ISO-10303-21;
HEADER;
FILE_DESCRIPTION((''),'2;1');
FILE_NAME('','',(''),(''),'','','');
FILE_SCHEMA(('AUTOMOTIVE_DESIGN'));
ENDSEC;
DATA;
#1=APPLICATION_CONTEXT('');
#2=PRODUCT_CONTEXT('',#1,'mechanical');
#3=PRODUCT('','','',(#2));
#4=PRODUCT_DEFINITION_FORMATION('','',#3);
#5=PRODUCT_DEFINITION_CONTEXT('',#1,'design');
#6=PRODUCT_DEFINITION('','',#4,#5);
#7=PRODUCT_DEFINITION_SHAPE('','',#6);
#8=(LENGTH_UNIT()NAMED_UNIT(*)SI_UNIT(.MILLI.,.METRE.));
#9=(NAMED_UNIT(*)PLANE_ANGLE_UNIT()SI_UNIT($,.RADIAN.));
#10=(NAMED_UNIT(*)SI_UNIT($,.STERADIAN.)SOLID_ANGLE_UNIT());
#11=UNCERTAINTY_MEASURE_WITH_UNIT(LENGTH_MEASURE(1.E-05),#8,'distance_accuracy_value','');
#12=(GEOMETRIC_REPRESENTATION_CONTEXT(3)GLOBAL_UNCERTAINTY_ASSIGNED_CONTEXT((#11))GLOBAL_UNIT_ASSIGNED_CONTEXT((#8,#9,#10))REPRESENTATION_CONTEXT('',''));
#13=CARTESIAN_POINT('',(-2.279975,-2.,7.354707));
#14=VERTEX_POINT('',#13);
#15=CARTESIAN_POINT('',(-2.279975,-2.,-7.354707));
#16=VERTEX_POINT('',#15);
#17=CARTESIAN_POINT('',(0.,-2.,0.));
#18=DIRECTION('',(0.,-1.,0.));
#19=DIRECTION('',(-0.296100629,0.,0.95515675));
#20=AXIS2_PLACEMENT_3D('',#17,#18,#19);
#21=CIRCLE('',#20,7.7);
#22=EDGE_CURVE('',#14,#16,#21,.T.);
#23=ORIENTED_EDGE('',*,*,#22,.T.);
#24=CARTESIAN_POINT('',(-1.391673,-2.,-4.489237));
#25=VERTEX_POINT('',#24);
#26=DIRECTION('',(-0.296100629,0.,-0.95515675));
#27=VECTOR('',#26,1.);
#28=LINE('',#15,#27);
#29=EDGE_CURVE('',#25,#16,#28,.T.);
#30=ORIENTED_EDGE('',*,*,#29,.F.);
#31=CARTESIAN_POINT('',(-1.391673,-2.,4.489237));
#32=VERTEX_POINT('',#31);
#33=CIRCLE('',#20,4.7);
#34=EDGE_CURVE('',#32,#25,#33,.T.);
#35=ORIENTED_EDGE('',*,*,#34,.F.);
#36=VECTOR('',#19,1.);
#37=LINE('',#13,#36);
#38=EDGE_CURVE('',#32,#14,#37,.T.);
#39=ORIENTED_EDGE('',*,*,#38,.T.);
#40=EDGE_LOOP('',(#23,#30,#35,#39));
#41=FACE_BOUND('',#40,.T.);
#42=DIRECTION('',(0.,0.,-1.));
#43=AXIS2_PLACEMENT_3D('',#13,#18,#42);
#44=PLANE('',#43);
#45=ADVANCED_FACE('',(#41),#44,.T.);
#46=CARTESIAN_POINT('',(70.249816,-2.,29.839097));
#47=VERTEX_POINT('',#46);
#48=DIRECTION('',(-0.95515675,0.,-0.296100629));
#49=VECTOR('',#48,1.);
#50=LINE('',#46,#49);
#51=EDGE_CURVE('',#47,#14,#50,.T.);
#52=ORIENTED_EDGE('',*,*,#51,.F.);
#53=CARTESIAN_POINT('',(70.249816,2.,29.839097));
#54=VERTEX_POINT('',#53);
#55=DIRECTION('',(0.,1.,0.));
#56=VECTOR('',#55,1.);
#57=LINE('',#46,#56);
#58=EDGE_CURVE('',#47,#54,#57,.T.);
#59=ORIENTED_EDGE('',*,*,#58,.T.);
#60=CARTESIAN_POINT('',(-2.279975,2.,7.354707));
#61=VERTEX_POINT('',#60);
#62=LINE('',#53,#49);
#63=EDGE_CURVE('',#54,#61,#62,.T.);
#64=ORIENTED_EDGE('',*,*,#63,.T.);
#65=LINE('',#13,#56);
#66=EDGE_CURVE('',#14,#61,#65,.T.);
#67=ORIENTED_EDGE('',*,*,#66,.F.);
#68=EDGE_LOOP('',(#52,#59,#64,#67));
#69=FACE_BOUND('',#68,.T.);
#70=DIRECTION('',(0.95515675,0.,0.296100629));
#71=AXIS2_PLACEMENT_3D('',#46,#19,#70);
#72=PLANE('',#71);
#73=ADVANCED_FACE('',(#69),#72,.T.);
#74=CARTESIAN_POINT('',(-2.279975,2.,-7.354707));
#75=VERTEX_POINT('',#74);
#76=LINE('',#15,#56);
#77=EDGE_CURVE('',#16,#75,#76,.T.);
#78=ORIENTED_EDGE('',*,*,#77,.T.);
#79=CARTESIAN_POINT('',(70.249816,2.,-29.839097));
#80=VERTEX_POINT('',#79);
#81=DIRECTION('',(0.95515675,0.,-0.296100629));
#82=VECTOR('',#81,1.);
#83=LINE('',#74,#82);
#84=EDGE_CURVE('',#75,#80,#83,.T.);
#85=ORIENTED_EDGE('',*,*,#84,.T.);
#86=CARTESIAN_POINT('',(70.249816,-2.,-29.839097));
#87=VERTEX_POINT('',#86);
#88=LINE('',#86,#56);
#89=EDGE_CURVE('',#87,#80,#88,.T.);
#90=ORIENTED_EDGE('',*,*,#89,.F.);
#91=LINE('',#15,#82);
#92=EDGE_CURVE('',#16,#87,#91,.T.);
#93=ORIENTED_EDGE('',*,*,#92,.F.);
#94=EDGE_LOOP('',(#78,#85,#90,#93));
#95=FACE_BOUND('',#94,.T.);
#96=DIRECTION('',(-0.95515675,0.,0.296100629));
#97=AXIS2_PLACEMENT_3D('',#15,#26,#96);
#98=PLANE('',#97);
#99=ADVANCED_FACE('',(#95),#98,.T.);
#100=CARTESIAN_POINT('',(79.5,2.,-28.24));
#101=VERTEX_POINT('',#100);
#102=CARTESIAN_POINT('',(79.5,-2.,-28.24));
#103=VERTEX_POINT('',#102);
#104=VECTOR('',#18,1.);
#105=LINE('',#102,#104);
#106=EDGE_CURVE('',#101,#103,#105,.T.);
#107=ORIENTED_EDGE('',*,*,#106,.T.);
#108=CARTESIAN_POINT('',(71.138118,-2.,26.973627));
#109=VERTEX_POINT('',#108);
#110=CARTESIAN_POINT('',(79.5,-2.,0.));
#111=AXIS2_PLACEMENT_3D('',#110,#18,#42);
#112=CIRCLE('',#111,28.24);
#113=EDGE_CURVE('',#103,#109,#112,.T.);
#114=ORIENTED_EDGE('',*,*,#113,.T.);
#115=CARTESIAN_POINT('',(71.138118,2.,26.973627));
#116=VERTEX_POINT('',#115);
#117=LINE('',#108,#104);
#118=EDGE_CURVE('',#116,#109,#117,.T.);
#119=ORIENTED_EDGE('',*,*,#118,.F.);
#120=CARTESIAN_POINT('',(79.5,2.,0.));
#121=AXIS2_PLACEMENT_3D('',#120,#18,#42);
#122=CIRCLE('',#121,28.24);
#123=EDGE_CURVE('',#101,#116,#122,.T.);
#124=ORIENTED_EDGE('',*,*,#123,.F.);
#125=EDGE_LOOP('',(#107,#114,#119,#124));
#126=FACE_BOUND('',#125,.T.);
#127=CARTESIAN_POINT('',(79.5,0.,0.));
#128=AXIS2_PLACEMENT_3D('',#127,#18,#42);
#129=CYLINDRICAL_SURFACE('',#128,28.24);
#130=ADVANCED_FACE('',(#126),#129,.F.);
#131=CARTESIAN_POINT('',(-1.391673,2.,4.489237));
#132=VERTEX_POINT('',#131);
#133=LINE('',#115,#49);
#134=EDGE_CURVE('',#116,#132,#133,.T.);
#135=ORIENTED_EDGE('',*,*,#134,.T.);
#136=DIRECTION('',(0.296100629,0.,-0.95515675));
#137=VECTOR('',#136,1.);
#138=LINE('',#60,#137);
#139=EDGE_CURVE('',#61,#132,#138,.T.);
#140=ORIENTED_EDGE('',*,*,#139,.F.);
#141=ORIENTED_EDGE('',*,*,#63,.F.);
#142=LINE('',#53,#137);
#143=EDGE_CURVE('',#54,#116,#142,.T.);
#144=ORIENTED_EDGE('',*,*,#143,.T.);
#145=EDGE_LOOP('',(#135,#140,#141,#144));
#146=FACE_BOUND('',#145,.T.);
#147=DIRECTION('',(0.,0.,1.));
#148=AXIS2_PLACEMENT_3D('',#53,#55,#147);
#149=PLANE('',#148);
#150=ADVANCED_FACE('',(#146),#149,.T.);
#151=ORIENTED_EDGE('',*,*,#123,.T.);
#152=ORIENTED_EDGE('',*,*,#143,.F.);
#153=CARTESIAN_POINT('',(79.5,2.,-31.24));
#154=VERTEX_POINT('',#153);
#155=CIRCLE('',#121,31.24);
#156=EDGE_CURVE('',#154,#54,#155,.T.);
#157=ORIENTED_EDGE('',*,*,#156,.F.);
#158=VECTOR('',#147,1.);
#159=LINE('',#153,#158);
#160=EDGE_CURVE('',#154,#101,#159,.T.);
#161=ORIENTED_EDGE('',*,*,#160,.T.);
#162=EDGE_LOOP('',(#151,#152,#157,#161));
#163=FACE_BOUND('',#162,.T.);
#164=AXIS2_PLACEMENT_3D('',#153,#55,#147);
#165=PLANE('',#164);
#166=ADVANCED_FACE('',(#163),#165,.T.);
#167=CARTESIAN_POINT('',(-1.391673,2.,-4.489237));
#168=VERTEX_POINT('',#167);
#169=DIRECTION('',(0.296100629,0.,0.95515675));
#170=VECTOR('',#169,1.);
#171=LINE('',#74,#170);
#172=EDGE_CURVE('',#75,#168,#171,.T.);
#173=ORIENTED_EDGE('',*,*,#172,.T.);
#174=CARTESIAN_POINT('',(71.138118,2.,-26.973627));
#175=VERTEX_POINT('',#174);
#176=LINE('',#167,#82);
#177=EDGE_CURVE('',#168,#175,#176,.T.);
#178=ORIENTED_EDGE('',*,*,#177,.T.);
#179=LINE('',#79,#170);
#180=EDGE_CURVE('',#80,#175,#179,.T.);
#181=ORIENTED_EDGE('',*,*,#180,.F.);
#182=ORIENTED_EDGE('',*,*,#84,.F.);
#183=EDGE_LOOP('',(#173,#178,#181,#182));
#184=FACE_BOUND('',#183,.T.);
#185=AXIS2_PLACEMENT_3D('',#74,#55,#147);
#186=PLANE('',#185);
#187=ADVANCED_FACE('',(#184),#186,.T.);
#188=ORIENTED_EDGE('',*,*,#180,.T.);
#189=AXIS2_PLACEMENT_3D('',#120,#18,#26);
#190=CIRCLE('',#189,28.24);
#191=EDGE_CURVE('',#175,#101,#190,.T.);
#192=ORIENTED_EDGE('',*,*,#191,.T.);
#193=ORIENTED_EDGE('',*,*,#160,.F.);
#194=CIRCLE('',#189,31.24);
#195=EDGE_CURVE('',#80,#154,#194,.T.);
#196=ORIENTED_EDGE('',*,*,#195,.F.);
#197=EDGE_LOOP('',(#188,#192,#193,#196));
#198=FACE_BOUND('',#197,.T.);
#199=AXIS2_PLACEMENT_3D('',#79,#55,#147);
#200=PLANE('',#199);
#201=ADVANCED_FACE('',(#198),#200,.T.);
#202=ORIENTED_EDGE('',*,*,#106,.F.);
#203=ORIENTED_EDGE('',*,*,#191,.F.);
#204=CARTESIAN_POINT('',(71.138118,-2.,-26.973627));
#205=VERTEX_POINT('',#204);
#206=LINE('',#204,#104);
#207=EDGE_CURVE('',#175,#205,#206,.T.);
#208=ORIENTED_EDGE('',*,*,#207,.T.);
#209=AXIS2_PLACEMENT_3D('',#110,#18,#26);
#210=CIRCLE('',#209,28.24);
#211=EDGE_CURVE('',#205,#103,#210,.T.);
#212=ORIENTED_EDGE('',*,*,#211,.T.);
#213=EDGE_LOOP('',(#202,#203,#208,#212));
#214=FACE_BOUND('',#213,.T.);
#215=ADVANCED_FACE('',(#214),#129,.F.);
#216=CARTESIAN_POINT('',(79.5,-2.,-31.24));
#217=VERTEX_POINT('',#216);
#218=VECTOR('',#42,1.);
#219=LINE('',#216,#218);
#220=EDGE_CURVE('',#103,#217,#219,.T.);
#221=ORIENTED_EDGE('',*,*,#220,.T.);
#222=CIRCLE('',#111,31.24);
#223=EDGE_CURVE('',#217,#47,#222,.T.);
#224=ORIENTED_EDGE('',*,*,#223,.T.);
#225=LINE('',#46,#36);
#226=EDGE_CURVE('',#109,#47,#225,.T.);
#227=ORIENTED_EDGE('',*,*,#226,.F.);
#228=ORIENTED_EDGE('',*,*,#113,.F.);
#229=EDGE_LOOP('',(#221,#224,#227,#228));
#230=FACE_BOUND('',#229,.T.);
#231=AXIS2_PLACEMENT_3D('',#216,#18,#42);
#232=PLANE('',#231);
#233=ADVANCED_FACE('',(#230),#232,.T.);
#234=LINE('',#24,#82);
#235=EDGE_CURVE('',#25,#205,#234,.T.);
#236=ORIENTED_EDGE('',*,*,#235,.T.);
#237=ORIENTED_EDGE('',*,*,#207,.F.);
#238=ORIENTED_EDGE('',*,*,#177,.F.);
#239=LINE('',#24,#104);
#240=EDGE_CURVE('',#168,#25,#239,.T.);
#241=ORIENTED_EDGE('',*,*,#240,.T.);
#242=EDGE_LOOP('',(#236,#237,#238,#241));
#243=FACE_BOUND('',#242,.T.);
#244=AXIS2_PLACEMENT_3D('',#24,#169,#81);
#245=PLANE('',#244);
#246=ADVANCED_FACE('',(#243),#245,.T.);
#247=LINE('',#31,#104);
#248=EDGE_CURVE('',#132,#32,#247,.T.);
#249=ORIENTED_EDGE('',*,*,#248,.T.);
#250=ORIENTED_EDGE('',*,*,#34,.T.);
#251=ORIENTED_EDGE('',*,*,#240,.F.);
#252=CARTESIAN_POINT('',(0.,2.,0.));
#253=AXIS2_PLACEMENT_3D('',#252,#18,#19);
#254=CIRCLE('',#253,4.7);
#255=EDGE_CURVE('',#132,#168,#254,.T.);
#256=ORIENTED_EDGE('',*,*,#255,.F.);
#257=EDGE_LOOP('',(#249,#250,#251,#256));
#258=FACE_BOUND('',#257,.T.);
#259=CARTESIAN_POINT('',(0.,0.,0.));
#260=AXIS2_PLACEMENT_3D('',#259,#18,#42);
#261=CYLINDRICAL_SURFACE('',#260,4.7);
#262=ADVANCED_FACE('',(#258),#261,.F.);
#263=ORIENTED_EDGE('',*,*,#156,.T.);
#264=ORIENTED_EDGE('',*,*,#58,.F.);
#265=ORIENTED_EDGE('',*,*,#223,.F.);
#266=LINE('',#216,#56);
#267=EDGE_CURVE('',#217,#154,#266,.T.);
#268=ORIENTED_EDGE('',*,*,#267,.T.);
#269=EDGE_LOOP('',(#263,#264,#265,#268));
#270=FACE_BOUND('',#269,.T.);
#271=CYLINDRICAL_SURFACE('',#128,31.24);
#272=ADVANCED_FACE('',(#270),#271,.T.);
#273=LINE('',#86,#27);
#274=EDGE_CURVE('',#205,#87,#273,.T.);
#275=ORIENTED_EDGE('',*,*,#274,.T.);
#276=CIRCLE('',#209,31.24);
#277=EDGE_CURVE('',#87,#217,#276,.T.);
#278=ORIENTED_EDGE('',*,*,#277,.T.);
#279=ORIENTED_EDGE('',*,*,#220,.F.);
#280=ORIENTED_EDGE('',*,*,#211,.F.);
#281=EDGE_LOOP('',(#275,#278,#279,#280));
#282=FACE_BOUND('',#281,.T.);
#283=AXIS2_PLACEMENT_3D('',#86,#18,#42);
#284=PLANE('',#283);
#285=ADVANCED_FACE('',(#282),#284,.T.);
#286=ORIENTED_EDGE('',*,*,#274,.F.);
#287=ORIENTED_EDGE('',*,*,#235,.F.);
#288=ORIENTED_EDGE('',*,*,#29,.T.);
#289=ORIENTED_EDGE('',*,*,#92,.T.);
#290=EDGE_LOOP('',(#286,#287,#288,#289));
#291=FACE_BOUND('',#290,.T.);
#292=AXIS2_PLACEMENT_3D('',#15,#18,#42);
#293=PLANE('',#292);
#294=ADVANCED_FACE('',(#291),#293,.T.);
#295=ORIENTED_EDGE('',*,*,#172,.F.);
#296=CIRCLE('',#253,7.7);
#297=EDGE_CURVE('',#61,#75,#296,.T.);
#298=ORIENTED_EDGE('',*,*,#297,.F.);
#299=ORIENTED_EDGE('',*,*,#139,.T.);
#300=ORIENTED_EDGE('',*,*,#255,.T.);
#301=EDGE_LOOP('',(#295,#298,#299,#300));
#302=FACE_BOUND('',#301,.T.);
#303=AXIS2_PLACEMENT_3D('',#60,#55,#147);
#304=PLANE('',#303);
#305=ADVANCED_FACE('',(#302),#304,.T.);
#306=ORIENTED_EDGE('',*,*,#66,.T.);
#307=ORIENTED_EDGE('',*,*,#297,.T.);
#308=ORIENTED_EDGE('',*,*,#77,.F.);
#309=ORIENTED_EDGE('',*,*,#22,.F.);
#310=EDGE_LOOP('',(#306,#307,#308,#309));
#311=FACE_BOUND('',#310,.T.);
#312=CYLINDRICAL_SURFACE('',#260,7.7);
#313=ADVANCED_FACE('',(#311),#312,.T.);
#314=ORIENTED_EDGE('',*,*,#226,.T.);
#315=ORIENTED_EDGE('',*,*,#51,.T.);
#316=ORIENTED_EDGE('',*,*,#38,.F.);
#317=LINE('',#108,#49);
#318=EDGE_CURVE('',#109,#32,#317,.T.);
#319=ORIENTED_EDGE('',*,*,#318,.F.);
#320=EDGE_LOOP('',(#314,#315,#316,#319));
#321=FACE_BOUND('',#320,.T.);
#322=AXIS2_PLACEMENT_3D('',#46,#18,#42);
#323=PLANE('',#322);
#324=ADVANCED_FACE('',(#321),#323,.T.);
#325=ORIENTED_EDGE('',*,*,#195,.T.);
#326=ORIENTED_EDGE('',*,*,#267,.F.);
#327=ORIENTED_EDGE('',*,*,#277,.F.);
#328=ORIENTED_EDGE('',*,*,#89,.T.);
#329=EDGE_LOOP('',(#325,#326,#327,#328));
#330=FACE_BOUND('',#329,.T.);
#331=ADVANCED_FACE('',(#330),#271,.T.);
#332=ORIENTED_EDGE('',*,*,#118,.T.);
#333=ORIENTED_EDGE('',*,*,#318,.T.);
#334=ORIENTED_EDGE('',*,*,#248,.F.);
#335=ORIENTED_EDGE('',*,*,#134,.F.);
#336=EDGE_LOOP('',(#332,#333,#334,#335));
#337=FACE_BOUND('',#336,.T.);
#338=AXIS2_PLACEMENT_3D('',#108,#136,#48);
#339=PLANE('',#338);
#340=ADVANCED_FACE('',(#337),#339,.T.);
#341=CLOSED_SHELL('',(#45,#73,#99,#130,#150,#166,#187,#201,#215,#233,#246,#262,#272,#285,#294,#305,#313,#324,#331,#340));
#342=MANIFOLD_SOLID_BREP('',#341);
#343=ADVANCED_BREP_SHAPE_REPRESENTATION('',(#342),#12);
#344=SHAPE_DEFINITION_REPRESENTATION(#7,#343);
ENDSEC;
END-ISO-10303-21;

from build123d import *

# Parameters (mm, degrees)
SKETCH2_W = 3
SKETCH2_H = 4


with BuildPart() as part:
    # Sweep1: sweep along a path in Sketch1
    with BuildLine(Plane(origin=(0, 0, 0), x_dir=(1, 0, 0), z_dir=(0, 1, 0))) as sweep1_path:
        Line((-1.391672956, 4.489236726), (71.138118239, 26.973626627))
        ThreePointArc((71.138118239, 26.973626627), (107.74, 0), (71.138118239, -26.973626627))
        Line((71.138118239, -26.973626627), (-1.391672956, -4.489236726))
        ThreePointArc((-1.391672956, -4.489236726), (-4.7, 0), (-1.391672956, 4.489236726))
    # Sketch2 → Sweep1 (sweep)
    with BuildSketch(Plane(origin=(79.5, 0, 0), x_dir=(0, 0, -1), z_dir=(1, 0, 0))):
        with Locations((29.74, 0)):
            Rectangle(SKETCH2_W, SKETCH2_H)
    sweep(path=sweep1_path.line)


solid = part.part
